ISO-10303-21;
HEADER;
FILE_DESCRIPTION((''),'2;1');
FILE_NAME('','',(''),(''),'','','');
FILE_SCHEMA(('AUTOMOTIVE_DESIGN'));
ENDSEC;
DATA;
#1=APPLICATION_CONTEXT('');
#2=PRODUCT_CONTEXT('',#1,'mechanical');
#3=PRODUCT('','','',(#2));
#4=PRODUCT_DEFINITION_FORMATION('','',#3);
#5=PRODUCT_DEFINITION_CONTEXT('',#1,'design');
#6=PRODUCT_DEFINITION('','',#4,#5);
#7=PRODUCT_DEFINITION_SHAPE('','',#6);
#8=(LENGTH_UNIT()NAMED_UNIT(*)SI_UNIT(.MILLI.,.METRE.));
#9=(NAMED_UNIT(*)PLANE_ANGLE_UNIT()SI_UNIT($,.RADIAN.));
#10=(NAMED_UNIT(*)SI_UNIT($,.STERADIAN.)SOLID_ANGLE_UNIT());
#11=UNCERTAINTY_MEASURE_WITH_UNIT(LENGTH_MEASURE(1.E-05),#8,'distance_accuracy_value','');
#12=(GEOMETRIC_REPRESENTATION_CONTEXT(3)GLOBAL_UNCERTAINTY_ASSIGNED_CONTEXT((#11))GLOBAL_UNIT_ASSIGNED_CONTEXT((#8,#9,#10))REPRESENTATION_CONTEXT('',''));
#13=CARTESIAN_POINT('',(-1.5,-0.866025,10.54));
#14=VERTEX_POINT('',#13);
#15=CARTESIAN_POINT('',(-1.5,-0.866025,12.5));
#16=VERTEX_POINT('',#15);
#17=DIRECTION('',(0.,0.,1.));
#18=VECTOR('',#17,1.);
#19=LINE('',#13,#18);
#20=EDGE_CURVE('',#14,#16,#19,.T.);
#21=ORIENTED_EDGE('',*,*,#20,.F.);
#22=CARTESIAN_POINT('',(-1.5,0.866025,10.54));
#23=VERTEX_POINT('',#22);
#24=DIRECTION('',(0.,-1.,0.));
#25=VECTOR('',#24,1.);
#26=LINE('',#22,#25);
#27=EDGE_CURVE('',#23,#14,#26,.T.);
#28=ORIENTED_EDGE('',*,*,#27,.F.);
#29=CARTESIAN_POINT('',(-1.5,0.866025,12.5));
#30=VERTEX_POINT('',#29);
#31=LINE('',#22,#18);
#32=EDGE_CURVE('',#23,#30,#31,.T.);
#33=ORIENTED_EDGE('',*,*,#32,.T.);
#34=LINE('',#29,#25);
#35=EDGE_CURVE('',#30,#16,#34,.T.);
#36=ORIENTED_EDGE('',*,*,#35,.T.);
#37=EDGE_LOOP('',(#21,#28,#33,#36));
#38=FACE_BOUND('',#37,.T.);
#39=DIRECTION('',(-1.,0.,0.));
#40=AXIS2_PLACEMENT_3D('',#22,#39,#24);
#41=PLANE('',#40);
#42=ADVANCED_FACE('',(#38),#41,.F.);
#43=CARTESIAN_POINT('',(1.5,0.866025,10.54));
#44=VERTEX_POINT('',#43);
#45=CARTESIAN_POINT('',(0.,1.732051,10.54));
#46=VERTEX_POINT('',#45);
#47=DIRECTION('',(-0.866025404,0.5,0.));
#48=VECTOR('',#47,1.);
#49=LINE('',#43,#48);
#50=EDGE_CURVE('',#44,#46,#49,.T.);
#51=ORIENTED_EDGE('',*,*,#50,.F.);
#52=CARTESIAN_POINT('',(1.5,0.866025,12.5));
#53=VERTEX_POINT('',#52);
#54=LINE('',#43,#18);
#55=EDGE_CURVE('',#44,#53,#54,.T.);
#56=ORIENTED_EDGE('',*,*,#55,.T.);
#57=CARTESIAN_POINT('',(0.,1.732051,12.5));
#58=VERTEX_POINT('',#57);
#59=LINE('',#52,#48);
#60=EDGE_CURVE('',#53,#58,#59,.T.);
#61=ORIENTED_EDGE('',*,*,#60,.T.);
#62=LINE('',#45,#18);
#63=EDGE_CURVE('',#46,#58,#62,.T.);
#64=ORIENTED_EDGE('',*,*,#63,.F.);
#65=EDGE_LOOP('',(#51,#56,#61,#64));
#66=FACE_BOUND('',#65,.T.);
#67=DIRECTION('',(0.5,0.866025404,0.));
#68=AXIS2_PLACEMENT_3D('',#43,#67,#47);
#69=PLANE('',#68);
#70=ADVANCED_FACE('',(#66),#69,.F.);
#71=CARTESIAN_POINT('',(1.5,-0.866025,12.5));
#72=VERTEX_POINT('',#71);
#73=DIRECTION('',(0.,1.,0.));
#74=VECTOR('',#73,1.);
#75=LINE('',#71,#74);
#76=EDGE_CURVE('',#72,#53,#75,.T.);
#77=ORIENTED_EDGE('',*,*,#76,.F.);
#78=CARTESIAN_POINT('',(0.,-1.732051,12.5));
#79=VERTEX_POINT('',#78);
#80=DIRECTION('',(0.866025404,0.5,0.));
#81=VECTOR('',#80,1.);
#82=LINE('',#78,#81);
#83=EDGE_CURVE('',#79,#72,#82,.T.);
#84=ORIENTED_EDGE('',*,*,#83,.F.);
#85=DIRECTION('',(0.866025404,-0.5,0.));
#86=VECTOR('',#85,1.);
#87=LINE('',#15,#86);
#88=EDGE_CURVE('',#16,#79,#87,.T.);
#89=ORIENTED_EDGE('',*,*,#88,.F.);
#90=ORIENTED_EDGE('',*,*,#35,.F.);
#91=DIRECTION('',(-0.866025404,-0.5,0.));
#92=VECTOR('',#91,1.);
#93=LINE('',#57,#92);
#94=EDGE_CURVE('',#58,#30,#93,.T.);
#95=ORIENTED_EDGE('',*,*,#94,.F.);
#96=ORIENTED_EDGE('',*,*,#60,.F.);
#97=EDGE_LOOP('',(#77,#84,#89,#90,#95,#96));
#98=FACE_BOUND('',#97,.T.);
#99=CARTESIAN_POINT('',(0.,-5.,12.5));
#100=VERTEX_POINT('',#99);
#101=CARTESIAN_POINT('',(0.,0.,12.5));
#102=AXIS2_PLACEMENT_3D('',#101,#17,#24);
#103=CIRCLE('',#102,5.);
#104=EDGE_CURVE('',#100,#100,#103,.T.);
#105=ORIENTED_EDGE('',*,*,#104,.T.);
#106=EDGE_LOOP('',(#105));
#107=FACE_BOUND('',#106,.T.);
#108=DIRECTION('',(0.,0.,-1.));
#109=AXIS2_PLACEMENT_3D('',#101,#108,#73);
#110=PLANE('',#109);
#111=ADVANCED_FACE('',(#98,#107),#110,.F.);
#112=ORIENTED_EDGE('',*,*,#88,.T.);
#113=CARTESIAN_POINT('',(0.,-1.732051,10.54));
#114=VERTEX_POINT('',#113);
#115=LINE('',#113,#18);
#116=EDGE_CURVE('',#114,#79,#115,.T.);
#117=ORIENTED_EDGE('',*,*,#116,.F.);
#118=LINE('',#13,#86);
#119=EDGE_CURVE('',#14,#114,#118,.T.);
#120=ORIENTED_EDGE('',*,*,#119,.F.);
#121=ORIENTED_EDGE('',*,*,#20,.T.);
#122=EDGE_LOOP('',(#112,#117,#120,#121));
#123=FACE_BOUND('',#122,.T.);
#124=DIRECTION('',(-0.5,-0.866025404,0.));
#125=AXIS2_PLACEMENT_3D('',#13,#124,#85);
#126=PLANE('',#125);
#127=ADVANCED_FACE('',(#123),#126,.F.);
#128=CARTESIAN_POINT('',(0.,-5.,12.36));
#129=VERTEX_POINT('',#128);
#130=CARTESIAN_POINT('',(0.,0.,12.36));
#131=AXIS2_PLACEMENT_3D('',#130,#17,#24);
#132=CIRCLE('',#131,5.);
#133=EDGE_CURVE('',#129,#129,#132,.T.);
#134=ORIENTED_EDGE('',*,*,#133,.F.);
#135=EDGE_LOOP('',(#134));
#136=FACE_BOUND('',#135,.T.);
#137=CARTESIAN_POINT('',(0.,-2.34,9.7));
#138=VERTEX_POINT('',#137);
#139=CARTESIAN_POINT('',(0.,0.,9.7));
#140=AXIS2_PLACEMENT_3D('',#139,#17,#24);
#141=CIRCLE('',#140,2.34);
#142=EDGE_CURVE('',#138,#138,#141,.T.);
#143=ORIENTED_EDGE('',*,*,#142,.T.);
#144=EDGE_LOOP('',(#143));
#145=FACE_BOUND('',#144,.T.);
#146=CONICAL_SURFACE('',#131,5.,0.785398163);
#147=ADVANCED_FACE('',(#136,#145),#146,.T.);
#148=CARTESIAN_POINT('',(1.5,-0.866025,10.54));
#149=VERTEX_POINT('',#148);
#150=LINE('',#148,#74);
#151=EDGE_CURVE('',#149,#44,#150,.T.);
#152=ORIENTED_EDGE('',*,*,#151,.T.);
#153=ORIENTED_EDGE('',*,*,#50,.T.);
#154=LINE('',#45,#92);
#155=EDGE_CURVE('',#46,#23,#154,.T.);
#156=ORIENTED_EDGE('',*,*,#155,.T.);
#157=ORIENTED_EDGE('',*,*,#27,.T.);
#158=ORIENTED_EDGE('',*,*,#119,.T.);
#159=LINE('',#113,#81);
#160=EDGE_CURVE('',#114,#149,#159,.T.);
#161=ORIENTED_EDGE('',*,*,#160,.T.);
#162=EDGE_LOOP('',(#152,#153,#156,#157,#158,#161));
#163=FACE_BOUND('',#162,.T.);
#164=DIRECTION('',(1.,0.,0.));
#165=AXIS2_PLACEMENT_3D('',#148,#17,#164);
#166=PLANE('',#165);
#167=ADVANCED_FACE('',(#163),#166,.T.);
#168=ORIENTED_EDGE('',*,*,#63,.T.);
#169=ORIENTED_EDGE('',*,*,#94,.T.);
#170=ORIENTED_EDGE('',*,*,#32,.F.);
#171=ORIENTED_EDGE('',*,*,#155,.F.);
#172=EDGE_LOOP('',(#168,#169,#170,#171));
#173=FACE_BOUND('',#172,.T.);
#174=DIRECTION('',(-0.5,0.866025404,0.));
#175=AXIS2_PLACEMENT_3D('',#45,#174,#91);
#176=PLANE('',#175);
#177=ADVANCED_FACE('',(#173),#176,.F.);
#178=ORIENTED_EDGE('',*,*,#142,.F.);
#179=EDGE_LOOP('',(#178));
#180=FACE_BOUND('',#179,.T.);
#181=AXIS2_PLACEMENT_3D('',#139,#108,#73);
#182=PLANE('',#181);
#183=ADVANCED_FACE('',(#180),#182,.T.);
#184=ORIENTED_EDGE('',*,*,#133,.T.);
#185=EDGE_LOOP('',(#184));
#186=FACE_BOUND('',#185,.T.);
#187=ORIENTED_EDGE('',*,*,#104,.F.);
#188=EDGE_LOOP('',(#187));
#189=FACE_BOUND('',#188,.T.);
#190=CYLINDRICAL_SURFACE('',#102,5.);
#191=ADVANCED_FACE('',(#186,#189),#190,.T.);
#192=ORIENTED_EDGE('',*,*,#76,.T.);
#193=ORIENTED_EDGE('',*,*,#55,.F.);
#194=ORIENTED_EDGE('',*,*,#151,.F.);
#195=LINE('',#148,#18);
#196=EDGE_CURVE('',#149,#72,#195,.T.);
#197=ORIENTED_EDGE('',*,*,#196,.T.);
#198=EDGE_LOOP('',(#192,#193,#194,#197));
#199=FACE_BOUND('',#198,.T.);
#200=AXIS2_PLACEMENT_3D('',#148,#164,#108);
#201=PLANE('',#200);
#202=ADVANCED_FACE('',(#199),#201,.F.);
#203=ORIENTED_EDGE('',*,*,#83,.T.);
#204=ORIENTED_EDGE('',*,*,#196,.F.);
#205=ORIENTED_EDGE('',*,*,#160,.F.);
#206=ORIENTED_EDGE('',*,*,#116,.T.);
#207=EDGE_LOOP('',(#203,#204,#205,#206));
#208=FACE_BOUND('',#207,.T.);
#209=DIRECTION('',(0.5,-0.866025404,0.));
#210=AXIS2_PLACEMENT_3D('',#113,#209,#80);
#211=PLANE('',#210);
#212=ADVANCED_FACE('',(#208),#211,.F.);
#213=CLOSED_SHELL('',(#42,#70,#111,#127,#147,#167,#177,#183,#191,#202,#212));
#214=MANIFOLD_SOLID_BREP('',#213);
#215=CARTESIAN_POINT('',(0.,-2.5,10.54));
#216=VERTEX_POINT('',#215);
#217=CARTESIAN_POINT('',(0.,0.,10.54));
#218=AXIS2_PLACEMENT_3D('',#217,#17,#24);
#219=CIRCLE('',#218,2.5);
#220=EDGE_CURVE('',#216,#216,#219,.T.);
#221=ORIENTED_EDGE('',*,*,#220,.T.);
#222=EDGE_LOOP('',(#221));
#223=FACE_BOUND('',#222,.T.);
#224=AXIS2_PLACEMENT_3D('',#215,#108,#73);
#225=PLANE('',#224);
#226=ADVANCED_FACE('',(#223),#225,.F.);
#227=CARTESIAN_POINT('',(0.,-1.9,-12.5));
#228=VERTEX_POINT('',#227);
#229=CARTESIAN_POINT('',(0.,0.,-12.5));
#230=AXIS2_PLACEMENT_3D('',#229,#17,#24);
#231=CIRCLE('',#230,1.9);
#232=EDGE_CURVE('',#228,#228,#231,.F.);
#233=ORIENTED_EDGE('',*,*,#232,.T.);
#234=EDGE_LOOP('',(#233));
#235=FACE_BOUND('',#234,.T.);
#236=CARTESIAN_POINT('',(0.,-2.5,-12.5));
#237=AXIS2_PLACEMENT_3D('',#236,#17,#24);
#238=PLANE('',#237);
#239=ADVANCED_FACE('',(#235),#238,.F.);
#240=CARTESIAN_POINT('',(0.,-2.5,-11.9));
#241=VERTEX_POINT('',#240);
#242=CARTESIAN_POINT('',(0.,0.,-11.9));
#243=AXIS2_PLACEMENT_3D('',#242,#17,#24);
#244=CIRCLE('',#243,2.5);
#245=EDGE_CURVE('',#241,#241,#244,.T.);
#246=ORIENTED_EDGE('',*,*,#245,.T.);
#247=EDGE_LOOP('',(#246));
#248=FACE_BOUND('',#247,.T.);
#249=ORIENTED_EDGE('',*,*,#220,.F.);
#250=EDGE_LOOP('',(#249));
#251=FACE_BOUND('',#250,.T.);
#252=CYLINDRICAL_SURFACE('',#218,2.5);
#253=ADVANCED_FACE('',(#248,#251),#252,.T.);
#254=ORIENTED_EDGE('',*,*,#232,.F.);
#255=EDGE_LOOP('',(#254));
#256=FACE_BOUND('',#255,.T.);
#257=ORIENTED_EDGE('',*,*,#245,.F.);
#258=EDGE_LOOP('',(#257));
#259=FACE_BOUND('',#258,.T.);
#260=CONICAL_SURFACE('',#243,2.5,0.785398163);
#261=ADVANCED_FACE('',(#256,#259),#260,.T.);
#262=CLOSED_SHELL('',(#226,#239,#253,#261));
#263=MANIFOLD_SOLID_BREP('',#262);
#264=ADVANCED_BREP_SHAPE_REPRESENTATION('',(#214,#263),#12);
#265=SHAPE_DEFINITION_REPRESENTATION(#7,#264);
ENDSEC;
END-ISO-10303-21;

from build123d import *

# Parameters (mm, degrees)
CHAMFER1_SIZE      = 0.6
CUT_EXTRUDE2_DEPTH = 1.96


with BuildPart() as part:
    # Sketch1 → Revolve1 (revolve)
    with BuildSketch(Plane(origin=(0, 0, 0), x_dir=(0, 0, -1), z_dir=(1, 0, 0))):
        Polygon((-9.7, 2.5), (12.5, 2.5), (12.5, 0), (-10.54, 0), (-10.54, 2.5), align=None)
    revolve(axis=Axis((0, 0, 10.54), (0, 0, -1)))

    # Chamfer1
    chamfer1_edges = [part.edges().sort_by_distance(p)[0] for p in [
        (0, -2.5, -12.5),
    ]]
    chamfer(chamfer1_edges, length=CHAMFER1_SIZE)


with BuildPart() as body_2:
    # Sketch7 → Revolve2 (revolve)
    with BuildSketch(Plane(origin=(0, 0, 0), x_dir=(0, 0, -1), z_dir=(1, 0, 0))):
        Polygon((-12.36, 5), (-12.5, 5), (-12.5, 0), (-9.7, 0), (-9.7, 2.34), align=None)
    revolve(axis=Axis((0, 0, 12.5), (0, 0, -1)))

    # Sketch5 → Cut-Extrude2 (cut)
    with BuildSketch(Plane.XY.offset(12.5)):
        Polygon((1.5, -0.866025404), (1.5, 0.866025404), (0, 1.732050808), (-1.5, 0.866025404), (-1.5, -0.866025404), (0, -1.732050808), align=None)
    extrude(amount=-CUT_EXTRUDE2_DEPTH, mode=Mode.SUBTRACT)


solid = Compound([part.part, body_2.part])
